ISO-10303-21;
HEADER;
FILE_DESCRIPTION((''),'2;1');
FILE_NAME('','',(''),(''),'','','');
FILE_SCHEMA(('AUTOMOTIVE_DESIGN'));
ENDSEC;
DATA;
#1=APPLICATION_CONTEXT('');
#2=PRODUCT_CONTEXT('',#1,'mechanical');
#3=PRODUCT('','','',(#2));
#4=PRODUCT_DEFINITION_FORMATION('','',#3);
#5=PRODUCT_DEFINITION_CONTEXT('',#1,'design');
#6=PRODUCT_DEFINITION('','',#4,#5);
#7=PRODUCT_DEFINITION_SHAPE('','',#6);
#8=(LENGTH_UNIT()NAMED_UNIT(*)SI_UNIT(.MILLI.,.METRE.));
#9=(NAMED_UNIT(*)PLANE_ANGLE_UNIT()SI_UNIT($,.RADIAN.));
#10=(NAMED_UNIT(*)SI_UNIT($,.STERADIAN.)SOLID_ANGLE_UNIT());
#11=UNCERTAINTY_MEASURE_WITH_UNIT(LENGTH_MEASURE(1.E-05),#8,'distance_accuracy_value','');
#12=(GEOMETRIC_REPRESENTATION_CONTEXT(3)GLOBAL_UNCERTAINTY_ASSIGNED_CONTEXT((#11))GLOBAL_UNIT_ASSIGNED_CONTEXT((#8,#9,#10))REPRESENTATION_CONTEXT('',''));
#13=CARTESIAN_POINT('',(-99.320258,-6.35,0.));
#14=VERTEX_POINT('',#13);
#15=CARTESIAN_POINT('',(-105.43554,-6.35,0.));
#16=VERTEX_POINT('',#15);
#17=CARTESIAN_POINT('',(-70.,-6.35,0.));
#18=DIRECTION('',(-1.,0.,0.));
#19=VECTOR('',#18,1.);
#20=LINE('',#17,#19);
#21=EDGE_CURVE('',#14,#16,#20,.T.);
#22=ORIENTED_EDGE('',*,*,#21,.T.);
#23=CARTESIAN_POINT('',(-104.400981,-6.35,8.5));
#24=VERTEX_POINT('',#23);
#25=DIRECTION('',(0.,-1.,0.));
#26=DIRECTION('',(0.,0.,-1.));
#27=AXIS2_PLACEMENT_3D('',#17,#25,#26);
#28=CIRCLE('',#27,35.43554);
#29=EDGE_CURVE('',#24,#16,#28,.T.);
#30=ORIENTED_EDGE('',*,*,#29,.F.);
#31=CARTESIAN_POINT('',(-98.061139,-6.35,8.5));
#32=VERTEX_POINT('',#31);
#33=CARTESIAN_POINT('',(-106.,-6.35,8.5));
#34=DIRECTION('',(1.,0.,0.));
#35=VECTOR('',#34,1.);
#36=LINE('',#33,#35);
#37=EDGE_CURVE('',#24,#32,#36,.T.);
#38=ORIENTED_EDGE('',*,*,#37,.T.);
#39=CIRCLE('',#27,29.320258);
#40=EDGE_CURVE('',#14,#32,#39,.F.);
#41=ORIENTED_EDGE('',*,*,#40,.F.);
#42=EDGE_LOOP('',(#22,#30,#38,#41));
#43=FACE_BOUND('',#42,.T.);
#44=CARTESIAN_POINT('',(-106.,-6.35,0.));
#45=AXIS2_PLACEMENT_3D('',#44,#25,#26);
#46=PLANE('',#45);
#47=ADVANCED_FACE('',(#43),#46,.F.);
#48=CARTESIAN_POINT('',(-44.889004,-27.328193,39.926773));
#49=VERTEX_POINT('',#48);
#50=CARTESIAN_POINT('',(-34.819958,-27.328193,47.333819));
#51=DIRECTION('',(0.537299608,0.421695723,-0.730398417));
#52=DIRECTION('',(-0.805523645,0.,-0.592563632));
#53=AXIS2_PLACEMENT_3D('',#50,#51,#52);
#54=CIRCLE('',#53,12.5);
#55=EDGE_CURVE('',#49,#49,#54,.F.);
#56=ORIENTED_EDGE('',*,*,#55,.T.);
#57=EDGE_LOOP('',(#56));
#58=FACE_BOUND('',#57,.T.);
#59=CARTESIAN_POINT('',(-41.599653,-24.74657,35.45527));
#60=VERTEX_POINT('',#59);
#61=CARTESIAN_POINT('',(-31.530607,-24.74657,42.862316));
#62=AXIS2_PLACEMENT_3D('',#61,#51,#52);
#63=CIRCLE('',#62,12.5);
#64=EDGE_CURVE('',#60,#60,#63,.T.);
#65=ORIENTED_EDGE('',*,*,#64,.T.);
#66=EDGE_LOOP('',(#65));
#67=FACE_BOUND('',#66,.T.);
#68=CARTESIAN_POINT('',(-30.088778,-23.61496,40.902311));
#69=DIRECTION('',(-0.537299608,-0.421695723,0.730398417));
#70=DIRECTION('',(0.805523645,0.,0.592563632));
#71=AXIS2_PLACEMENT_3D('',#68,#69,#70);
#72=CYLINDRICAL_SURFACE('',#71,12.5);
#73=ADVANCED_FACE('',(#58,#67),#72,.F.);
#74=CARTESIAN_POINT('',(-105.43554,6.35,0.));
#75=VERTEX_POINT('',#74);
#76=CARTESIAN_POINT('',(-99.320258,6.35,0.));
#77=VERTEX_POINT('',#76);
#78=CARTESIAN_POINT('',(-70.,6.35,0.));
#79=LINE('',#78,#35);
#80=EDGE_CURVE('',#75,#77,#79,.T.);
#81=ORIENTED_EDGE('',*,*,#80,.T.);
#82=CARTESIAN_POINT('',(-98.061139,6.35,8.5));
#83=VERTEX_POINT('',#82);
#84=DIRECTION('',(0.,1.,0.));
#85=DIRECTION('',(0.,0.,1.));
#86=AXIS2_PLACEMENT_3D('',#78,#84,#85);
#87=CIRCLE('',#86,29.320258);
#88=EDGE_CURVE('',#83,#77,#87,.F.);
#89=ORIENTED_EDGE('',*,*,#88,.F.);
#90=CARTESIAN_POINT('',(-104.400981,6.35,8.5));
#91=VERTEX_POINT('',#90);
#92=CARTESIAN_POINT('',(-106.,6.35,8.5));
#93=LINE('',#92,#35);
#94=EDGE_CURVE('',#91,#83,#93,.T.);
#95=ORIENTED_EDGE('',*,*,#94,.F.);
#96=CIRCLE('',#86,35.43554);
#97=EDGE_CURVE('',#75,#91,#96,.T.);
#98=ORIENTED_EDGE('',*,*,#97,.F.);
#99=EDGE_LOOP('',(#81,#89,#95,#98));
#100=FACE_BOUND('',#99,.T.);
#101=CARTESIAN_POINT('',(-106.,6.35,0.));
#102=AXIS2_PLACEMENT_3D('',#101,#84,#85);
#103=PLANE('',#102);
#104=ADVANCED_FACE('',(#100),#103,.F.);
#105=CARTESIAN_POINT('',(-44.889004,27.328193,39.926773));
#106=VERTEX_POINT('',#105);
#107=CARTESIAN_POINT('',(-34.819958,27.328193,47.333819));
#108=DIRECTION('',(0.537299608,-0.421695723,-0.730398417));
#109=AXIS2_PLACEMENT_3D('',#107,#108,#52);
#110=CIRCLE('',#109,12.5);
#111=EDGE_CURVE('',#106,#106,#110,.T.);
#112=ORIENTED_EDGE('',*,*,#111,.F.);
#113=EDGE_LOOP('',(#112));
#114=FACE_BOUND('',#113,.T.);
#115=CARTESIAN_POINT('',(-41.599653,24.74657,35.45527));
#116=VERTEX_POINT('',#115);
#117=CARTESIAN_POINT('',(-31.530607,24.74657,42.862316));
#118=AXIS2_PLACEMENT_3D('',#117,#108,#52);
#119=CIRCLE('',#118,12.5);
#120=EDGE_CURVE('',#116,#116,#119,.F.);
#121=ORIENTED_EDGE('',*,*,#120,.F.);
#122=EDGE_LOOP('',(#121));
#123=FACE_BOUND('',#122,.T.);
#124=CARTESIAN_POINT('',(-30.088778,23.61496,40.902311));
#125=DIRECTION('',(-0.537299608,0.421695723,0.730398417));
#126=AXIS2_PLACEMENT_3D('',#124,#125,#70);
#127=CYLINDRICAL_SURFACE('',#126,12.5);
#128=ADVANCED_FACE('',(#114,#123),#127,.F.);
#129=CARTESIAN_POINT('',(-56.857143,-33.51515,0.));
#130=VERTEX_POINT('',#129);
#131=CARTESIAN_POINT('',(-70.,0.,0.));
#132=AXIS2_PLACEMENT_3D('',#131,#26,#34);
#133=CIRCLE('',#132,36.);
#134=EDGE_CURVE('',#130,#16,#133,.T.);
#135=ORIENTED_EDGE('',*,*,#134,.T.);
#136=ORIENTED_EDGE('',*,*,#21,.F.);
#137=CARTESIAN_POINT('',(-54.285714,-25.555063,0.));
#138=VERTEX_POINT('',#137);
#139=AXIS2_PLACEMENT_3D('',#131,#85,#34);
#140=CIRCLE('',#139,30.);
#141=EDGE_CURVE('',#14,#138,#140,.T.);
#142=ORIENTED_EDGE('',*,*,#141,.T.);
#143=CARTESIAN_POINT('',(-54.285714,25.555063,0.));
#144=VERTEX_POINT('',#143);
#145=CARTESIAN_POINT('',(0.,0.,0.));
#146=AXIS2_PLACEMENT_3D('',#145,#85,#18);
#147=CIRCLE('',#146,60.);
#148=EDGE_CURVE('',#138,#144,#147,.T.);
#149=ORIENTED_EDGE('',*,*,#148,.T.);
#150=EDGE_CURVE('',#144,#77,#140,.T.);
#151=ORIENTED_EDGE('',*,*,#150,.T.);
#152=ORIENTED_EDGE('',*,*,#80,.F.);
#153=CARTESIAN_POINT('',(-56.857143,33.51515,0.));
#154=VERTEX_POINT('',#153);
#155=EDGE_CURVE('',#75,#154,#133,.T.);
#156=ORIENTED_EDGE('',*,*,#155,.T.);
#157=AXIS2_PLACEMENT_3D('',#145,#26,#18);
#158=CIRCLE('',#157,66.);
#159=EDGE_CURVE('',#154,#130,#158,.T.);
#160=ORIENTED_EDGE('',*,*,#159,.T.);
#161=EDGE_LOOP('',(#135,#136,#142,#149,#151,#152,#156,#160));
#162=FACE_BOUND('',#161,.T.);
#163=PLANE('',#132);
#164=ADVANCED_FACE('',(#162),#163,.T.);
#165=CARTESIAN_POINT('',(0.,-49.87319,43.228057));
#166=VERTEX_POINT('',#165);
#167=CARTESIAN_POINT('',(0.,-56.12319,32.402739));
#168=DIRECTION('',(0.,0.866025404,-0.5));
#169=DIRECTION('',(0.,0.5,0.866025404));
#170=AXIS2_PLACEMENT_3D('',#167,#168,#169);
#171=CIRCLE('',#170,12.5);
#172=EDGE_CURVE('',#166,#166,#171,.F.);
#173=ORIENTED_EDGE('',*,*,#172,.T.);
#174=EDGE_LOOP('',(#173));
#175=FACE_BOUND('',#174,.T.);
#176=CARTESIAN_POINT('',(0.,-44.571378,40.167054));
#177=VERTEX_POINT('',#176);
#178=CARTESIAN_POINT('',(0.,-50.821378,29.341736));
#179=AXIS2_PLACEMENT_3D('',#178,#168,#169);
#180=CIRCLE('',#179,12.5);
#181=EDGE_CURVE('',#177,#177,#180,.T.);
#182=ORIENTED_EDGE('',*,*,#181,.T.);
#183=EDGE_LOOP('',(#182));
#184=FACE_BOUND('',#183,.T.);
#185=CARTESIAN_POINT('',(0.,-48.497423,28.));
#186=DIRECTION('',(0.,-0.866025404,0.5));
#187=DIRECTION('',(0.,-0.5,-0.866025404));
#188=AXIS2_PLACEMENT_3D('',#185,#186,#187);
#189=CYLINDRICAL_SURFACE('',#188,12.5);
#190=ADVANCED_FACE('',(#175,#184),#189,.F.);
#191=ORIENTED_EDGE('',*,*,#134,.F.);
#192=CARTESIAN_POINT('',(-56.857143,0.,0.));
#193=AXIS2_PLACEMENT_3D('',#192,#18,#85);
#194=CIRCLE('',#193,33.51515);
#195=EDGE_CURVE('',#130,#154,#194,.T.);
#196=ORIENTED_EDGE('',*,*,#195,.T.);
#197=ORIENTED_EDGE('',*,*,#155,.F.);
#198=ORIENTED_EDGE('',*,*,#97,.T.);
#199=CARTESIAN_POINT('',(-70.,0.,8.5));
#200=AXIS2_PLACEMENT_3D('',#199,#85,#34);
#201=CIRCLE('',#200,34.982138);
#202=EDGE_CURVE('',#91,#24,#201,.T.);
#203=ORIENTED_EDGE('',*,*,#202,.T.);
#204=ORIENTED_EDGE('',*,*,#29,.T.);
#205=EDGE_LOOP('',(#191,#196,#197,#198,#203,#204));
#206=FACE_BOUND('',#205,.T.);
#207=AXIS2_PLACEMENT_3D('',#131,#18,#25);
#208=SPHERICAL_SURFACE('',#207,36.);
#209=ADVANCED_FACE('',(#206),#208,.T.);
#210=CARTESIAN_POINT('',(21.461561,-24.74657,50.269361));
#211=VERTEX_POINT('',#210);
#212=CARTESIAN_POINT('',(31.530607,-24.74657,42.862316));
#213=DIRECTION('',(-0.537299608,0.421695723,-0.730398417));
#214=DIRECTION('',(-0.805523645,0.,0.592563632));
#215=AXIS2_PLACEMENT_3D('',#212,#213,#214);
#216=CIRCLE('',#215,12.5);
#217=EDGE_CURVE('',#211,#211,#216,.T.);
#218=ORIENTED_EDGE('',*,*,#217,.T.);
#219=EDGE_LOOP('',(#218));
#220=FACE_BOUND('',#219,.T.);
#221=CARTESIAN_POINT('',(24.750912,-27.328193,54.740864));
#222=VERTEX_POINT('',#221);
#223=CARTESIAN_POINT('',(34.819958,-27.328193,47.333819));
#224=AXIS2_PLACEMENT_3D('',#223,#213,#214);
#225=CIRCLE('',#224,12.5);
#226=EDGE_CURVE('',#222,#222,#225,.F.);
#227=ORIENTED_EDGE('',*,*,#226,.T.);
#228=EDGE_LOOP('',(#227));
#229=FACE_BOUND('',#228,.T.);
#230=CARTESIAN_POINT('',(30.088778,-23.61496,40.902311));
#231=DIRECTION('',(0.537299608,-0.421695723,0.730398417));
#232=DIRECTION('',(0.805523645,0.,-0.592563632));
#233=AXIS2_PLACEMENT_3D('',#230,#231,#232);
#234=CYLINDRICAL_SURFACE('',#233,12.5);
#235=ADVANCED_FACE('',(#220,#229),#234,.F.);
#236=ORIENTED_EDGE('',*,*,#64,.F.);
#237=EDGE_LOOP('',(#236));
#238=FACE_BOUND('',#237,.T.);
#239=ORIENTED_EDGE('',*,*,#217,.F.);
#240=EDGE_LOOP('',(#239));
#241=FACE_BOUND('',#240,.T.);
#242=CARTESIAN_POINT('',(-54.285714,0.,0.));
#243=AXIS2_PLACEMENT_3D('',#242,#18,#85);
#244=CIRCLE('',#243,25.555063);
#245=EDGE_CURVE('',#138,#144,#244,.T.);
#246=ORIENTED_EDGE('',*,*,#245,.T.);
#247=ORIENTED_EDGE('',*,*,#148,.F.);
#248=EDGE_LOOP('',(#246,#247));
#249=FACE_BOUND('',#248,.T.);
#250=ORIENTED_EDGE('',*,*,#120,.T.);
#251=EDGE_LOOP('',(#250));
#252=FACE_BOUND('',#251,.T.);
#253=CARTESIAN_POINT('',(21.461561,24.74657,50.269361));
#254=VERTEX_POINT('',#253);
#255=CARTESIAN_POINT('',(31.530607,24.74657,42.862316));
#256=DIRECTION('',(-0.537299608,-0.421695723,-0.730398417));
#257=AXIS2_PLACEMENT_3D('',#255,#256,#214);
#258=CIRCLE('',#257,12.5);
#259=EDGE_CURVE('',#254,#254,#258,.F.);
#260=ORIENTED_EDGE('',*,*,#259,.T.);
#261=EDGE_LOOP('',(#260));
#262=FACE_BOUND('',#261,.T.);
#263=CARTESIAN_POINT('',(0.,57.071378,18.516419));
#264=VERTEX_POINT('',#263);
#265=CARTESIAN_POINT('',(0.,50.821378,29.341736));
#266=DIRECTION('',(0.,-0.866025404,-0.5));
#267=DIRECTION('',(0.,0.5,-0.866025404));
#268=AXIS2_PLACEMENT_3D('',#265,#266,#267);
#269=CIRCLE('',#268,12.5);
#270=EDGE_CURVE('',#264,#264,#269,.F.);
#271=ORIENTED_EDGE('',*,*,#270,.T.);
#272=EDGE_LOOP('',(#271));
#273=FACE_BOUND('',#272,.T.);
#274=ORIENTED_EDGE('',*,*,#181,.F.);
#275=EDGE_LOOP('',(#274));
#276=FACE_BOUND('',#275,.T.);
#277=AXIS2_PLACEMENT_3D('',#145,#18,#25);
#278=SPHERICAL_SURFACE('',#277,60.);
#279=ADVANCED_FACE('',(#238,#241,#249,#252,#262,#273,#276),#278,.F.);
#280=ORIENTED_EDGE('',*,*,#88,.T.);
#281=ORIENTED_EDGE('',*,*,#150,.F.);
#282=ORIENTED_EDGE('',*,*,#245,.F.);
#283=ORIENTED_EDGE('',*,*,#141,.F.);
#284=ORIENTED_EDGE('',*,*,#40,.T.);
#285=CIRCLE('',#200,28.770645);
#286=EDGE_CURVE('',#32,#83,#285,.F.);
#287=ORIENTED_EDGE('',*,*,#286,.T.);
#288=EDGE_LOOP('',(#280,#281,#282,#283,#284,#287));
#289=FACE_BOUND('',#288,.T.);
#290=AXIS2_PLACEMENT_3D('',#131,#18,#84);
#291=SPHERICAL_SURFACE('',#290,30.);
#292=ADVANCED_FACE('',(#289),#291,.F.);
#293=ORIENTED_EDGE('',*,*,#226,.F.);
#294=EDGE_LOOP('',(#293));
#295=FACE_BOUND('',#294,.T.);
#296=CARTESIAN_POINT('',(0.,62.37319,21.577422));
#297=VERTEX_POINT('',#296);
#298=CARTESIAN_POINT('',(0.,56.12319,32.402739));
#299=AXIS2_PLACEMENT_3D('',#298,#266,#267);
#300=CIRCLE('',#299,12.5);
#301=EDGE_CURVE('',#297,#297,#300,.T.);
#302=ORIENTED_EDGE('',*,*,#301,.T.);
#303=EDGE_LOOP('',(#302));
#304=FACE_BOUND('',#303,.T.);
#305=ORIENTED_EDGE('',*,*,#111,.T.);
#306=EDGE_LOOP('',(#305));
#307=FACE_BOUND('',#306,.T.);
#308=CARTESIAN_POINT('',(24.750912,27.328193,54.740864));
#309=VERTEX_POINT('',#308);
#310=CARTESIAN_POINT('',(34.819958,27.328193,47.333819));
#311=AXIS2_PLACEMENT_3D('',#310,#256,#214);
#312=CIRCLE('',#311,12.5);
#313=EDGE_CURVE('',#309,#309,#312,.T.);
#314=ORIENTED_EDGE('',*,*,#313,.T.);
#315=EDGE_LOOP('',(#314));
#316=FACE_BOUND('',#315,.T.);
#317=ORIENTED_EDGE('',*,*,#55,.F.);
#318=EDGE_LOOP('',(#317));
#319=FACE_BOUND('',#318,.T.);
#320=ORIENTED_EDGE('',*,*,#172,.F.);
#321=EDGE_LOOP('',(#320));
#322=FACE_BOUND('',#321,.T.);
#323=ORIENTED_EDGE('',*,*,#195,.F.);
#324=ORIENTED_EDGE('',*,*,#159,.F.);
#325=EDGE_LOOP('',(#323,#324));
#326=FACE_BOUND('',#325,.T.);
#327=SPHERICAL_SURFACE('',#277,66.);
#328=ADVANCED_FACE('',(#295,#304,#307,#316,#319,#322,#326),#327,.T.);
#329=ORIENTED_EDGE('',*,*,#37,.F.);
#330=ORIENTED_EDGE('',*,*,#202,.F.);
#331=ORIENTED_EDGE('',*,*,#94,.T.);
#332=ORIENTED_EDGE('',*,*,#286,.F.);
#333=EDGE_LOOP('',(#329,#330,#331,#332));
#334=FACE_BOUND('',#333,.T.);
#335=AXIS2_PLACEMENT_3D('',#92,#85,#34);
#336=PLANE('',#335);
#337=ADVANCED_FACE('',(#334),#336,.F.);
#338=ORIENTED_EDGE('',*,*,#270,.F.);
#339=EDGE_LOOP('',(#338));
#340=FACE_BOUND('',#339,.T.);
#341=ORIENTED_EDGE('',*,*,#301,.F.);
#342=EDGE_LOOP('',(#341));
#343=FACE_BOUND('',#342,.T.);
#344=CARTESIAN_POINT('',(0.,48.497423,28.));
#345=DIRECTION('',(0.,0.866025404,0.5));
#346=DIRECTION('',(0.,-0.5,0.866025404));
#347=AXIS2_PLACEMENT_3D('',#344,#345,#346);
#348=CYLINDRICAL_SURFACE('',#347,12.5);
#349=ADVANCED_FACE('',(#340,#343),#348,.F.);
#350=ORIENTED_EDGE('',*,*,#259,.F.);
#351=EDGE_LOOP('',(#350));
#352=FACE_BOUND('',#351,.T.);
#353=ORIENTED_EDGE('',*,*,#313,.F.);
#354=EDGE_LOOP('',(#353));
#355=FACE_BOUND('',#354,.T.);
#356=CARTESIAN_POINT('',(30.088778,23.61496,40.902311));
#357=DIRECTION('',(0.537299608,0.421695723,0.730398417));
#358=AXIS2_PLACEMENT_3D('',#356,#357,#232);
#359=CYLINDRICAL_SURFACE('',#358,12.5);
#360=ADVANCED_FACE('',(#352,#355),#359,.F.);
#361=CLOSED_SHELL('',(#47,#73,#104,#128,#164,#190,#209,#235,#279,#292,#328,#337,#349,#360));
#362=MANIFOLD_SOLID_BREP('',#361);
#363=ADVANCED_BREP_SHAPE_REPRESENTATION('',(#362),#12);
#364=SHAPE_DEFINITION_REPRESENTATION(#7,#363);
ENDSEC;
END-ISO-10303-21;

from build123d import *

# Parameters (mm, degrees)
REVOLVE1_ANGLE     = 180
SKETCH3_R          = 12.5
SPOT1_DEPTH        = 10
SKETCH4_R          = 12.5
SPOT2_DEPTH        = 10
SKETCH6_R          = 12.5
SPOT3_DEPTH        = 10
SKETCH7_W          = 8.5
SKETCH7_H          = 12.7
CUT_EXTRUDE4_DEPTH = 107


with BuildPart() as part:
    # Sketch1 → Revolve1 (revolve)
    with BuildSketch(Plane.XY):
        with BuildLine():
            Line((-106, 0), (-100, 0))
            ThreePointArc((-100, 0), (-84.638501094, 26.186146828), (-54.285714286, 25.5550626))
            ThreePointArc((-54.285714286, 25.5550626), (13.093073414, 58.554004377), (60, 0))
            Line((60, 0), (66, 0))
            ThreePointArc((66, 0), (17.369924747, 63.673273155), (-56.857142857, 33.515150397))
            ThreePointArc((-56.857142857, 33.515150397), (-90.283702113, 29.741745554), (-106, 0))
        make_face()
    revolve(axis=Axis((-106, 0, 0), (1, 0, 0)), revolution_arc=REVOLVE1_ANGLE)

    # Sketch3 → Spot1 (cut)
    with BuildSketch(Plane(origin=(-35.461774151, 27.831917712, 48.206295549), x_dir=(0.833827643, 0.395653782, 0.384953954), z_dir=(-0.537299608, 0.421695723, 0.730398417))):
        Circle(SKETCH3_R)
    spot1 = extrude(amount=-SPOT1_DEPTH, mode=Mode.SUBTRACT)

    # Sketch4 → Spot2 (cut)
    with BuildSketch(Plane(origin=(35.461774151, 27.831917712, 48.206295549), x_dir=(0.843391446, -0.268649804, -0.46531511), z_dir=(0.537299608, 0.421695723, 0.730398417))):
        Circle(SKETCH4_R)
    spot2 = extrude(amount=-SPOT2_DEPTH, mode=Mode.SUBTRACT)

    # Sketch6 → Spot3 (cut)
    with BuildSketch(Plane(origin=(0, 57.15767665, 33), x_dir=(1, 0, 0), z_dir=(0, 0.866025404, 0.5))):
        Circle(SKETCH6_R)
    spot3 = extrude(amount=-SPOT3_DEPTH, mode=Mode.SUBTRACT)

    # Mirror1: Spot1, Spot2, Spot3 across plane
    add(spot1.mirror(Plane.ZX), mode=Mode.SUBTRACT)
    add(spot2.mirror(Plane.ZX), mode=Mode.SUBTRACT)
    add(spot3.mirror(Plane.ZX), mode=Mode.SUBTRACT)

    # Sketch7 → Cut-Extrude4 (cut, through all)
    with BuildSketch(Plane(origin=(0, 0, 0), x_dir=(0, 0, -1), z_dir=(1, 0, 0))):
        with Locations((-4.25, 0)):
            Rectangle(SKETCH7_W, SKETCH7_H)
    extrude(amount=-CUT_EXTRUDE4_DEPTH, mode=Mode.SUBTRACT)


solid = part.part
